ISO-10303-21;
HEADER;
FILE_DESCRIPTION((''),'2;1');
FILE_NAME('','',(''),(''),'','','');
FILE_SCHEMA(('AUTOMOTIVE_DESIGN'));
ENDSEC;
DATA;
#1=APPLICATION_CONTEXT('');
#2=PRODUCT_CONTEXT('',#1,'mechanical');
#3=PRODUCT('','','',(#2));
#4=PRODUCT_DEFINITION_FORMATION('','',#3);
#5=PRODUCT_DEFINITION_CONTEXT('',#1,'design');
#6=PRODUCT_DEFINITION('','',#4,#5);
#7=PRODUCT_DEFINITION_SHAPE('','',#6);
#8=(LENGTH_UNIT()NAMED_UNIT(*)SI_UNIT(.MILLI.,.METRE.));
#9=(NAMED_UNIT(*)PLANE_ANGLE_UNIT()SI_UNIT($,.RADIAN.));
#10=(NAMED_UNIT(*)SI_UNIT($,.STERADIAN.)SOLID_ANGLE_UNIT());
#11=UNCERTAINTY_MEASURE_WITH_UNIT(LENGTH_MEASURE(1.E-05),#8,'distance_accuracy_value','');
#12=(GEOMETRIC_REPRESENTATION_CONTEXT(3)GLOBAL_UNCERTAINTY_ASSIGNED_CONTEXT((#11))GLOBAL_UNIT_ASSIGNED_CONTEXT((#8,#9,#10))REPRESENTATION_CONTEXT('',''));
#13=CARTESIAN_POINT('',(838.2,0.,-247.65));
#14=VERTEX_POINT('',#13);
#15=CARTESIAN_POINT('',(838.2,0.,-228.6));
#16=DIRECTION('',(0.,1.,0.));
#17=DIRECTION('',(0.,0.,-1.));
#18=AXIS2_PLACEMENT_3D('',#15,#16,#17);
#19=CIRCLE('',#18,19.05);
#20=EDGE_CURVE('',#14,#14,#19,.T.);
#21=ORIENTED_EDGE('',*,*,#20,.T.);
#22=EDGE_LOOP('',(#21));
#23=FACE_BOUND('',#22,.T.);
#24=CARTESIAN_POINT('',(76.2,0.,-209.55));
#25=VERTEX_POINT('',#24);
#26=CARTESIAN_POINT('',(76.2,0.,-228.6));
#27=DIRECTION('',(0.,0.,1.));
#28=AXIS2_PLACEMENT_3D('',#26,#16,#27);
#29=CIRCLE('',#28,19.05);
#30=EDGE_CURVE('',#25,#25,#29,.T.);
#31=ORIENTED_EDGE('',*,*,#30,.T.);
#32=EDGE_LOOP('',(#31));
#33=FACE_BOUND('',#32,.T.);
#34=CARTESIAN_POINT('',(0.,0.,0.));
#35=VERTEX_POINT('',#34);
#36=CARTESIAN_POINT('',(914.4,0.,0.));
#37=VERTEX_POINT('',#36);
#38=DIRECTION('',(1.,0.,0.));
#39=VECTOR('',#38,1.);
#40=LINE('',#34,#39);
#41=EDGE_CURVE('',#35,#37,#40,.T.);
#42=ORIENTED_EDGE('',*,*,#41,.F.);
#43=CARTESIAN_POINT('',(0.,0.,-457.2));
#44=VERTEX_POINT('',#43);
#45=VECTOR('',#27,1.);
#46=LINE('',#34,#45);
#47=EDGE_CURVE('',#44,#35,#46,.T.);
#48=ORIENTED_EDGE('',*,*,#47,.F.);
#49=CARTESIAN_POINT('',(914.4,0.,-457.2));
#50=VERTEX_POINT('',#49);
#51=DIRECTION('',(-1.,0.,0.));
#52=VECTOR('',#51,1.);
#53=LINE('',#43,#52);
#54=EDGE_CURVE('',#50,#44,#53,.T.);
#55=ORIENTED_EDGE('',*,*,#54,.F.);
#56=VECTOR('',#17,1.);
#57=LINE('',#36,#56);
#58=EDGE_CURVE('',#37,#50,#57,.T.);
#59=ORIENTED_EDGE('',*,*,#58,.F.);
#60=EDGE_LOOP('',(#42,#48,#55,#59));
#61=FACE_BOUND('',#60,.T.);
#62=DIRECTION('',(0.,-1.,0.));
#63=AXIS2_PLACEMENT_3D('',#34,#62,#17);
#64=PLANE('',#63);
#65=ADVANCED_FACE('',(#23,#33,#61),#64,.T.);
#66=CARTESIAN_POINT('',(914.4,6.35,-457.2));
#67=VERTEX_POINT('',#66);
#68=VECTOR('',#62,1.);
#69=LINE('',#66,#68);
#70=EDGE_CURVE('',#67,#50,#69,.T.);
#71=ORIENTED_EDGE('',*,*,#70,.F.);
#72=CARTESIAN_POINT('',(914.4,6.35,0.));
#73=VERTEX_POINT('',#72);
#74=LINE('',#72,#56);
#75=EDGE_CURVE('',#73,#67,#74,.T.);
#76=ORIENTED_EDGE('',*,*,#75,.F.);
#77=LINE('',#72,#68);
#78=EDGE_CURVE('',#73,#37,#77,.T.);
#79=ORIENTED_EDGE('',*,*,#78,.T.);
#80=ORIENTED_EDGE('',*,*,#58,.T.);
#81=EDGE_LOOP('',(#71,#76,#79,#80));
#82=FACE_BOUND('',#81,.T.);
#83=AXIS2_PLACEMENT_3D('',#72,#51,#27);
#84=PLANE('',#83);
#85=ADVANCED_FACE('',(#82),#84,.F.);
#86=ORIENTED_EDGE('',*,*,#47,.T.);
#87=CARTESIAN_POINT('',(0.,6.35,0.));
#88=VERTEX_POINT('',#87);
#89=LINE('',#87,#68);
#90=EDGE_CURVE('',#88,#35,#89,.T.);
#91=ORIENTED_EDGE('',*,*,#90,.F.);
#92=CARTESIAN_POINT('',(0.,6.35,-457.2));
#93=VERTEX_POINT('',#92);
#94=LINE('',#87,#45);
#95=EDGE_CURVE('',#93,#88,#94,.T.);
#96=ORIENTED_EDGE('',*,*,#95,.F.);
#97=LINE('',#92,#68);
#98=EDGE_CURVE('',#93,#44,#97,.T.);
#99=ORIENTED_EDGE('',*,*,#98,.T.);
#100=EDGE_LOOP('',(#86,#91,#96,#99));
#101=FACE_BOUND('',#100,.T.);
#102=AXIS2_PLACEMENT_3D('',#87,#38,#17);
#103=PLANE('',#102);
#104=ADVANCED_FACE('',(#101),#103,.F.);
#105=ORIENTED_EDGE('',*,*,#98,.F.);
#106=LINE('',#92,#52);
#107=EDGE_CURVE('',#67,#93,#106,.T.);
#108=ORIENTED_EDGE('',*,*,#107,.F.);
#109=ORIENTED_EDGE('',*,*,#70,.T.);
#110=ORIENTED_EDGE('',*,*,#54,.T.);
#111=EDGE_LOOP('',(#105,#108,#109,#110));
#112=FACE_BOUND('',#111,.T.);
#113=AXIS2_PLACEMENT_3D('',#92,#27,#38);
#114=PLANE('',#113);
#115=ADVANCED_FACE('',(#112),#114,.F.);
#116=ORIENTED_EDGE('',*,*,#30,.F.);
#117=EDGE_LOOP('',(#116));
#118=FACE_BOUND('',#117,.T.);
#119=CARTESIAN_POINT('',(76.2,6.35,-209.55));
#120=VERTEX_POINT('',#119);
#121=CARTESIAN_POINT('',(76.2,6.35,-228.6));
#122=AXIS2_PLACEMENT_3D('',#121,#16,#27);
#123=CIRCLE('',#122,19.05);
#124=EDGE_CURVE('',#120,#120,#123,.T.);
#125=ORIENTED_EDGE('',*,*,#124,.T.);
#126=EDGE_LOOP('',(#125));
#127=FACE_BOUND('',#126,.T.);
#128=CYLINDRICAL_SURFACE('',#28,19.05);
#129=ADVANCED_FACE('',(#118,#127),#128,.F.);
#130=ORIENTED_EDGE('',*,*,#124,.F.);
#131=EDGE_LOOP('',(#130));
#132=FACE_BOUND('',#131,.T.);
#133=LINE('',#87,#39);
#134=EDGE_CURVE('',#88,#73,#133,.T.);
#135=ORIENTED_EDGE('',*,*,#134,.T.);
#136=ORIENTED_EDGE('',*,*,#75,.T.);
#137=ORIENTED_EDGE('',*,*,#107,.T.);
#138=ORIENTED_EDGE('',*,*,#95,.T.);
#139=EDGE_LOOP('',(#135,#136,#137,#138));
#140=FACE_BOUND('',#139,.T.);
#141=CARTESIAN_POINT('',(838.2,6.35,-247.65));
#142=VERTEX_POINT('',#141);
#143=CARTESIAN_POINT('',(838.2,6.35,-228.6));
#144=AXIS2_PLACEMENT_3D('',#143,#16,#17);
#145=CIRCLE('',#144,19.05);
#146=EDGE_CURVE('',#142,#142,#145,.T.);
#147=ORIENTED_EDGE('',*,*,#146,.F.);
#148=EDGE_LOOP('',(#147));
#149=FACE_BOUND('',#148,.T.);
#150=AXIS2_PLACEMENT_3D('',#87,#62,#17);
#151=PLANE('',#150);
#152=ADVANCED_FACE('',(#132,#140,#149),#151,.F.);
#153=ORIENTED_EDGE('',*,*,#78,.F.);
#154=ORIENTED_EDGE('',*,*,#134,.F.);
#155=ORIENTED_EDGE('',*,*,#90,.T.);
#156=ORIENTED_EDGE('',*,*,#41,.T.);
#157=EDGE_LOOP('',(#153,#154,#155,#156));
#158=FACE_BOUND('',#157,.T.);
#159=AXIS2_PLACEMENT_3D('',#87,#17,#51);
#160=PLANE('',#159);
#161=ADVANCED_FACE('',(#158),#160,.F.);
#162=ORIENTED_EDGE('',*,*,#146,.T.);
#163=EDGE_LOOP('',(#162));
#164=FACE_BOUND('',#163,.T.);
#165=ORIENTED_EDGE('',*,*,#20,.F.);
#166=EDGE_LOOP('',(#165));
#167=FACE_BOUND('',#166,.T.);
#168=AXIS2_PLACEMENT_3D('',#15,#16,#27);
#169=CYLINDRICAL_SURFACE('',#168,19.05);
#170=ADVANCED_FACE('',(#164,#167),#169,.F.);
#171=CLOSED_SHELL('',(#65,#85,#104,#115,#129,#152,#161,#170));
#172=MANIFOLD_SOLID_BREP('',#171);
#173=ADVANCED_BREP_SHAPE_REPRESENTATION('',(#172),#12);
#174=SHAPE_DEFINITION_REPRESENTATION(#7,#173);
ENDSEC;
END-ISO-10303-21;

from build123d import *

# Parameters (mm, degrees)
SKETCH1_W           = 914.4
SKETCH1_H           = 457.2
BOSS_EXTRUDE1_DEPTH = 6.35
SKETCH2_R           = 19.05
CUT_EXTRUDE1_DEPTH  = 7.35


with BuildPart() as part:
    # Sketch1 → Boss-Extrude1 (new body)
    with BuildSketch(Plane(origin=(0, 0, 0), x_dir=(1, 0, 0), z_dir=(0, 1, 0))):
        with Locations((457.2, 228.6)):
            Rectangle(SKETCH1_W, SKETCH1_H)
    extrude(amount=BOSS_EXTRUDE1_DEPTH)

    # Sketch2 → Cut-Extrude1 (cut, through all)
    with BuildSketch(Plane(origin=(0, 6.35, 0), x_dir=(1, 0, 0), z_dir=(0, 1, 0))):
        with Locations((76.2, 228.6)):
            Circle(SKETCH2_R)
        with Locations((838.2, 228.6)):
            Circle(SKETCH2_R)
    extrude(amount=-CUT_EXTRUDE1_DEPTH, mode=Mode.SUBTRACT)


solid = part.part
